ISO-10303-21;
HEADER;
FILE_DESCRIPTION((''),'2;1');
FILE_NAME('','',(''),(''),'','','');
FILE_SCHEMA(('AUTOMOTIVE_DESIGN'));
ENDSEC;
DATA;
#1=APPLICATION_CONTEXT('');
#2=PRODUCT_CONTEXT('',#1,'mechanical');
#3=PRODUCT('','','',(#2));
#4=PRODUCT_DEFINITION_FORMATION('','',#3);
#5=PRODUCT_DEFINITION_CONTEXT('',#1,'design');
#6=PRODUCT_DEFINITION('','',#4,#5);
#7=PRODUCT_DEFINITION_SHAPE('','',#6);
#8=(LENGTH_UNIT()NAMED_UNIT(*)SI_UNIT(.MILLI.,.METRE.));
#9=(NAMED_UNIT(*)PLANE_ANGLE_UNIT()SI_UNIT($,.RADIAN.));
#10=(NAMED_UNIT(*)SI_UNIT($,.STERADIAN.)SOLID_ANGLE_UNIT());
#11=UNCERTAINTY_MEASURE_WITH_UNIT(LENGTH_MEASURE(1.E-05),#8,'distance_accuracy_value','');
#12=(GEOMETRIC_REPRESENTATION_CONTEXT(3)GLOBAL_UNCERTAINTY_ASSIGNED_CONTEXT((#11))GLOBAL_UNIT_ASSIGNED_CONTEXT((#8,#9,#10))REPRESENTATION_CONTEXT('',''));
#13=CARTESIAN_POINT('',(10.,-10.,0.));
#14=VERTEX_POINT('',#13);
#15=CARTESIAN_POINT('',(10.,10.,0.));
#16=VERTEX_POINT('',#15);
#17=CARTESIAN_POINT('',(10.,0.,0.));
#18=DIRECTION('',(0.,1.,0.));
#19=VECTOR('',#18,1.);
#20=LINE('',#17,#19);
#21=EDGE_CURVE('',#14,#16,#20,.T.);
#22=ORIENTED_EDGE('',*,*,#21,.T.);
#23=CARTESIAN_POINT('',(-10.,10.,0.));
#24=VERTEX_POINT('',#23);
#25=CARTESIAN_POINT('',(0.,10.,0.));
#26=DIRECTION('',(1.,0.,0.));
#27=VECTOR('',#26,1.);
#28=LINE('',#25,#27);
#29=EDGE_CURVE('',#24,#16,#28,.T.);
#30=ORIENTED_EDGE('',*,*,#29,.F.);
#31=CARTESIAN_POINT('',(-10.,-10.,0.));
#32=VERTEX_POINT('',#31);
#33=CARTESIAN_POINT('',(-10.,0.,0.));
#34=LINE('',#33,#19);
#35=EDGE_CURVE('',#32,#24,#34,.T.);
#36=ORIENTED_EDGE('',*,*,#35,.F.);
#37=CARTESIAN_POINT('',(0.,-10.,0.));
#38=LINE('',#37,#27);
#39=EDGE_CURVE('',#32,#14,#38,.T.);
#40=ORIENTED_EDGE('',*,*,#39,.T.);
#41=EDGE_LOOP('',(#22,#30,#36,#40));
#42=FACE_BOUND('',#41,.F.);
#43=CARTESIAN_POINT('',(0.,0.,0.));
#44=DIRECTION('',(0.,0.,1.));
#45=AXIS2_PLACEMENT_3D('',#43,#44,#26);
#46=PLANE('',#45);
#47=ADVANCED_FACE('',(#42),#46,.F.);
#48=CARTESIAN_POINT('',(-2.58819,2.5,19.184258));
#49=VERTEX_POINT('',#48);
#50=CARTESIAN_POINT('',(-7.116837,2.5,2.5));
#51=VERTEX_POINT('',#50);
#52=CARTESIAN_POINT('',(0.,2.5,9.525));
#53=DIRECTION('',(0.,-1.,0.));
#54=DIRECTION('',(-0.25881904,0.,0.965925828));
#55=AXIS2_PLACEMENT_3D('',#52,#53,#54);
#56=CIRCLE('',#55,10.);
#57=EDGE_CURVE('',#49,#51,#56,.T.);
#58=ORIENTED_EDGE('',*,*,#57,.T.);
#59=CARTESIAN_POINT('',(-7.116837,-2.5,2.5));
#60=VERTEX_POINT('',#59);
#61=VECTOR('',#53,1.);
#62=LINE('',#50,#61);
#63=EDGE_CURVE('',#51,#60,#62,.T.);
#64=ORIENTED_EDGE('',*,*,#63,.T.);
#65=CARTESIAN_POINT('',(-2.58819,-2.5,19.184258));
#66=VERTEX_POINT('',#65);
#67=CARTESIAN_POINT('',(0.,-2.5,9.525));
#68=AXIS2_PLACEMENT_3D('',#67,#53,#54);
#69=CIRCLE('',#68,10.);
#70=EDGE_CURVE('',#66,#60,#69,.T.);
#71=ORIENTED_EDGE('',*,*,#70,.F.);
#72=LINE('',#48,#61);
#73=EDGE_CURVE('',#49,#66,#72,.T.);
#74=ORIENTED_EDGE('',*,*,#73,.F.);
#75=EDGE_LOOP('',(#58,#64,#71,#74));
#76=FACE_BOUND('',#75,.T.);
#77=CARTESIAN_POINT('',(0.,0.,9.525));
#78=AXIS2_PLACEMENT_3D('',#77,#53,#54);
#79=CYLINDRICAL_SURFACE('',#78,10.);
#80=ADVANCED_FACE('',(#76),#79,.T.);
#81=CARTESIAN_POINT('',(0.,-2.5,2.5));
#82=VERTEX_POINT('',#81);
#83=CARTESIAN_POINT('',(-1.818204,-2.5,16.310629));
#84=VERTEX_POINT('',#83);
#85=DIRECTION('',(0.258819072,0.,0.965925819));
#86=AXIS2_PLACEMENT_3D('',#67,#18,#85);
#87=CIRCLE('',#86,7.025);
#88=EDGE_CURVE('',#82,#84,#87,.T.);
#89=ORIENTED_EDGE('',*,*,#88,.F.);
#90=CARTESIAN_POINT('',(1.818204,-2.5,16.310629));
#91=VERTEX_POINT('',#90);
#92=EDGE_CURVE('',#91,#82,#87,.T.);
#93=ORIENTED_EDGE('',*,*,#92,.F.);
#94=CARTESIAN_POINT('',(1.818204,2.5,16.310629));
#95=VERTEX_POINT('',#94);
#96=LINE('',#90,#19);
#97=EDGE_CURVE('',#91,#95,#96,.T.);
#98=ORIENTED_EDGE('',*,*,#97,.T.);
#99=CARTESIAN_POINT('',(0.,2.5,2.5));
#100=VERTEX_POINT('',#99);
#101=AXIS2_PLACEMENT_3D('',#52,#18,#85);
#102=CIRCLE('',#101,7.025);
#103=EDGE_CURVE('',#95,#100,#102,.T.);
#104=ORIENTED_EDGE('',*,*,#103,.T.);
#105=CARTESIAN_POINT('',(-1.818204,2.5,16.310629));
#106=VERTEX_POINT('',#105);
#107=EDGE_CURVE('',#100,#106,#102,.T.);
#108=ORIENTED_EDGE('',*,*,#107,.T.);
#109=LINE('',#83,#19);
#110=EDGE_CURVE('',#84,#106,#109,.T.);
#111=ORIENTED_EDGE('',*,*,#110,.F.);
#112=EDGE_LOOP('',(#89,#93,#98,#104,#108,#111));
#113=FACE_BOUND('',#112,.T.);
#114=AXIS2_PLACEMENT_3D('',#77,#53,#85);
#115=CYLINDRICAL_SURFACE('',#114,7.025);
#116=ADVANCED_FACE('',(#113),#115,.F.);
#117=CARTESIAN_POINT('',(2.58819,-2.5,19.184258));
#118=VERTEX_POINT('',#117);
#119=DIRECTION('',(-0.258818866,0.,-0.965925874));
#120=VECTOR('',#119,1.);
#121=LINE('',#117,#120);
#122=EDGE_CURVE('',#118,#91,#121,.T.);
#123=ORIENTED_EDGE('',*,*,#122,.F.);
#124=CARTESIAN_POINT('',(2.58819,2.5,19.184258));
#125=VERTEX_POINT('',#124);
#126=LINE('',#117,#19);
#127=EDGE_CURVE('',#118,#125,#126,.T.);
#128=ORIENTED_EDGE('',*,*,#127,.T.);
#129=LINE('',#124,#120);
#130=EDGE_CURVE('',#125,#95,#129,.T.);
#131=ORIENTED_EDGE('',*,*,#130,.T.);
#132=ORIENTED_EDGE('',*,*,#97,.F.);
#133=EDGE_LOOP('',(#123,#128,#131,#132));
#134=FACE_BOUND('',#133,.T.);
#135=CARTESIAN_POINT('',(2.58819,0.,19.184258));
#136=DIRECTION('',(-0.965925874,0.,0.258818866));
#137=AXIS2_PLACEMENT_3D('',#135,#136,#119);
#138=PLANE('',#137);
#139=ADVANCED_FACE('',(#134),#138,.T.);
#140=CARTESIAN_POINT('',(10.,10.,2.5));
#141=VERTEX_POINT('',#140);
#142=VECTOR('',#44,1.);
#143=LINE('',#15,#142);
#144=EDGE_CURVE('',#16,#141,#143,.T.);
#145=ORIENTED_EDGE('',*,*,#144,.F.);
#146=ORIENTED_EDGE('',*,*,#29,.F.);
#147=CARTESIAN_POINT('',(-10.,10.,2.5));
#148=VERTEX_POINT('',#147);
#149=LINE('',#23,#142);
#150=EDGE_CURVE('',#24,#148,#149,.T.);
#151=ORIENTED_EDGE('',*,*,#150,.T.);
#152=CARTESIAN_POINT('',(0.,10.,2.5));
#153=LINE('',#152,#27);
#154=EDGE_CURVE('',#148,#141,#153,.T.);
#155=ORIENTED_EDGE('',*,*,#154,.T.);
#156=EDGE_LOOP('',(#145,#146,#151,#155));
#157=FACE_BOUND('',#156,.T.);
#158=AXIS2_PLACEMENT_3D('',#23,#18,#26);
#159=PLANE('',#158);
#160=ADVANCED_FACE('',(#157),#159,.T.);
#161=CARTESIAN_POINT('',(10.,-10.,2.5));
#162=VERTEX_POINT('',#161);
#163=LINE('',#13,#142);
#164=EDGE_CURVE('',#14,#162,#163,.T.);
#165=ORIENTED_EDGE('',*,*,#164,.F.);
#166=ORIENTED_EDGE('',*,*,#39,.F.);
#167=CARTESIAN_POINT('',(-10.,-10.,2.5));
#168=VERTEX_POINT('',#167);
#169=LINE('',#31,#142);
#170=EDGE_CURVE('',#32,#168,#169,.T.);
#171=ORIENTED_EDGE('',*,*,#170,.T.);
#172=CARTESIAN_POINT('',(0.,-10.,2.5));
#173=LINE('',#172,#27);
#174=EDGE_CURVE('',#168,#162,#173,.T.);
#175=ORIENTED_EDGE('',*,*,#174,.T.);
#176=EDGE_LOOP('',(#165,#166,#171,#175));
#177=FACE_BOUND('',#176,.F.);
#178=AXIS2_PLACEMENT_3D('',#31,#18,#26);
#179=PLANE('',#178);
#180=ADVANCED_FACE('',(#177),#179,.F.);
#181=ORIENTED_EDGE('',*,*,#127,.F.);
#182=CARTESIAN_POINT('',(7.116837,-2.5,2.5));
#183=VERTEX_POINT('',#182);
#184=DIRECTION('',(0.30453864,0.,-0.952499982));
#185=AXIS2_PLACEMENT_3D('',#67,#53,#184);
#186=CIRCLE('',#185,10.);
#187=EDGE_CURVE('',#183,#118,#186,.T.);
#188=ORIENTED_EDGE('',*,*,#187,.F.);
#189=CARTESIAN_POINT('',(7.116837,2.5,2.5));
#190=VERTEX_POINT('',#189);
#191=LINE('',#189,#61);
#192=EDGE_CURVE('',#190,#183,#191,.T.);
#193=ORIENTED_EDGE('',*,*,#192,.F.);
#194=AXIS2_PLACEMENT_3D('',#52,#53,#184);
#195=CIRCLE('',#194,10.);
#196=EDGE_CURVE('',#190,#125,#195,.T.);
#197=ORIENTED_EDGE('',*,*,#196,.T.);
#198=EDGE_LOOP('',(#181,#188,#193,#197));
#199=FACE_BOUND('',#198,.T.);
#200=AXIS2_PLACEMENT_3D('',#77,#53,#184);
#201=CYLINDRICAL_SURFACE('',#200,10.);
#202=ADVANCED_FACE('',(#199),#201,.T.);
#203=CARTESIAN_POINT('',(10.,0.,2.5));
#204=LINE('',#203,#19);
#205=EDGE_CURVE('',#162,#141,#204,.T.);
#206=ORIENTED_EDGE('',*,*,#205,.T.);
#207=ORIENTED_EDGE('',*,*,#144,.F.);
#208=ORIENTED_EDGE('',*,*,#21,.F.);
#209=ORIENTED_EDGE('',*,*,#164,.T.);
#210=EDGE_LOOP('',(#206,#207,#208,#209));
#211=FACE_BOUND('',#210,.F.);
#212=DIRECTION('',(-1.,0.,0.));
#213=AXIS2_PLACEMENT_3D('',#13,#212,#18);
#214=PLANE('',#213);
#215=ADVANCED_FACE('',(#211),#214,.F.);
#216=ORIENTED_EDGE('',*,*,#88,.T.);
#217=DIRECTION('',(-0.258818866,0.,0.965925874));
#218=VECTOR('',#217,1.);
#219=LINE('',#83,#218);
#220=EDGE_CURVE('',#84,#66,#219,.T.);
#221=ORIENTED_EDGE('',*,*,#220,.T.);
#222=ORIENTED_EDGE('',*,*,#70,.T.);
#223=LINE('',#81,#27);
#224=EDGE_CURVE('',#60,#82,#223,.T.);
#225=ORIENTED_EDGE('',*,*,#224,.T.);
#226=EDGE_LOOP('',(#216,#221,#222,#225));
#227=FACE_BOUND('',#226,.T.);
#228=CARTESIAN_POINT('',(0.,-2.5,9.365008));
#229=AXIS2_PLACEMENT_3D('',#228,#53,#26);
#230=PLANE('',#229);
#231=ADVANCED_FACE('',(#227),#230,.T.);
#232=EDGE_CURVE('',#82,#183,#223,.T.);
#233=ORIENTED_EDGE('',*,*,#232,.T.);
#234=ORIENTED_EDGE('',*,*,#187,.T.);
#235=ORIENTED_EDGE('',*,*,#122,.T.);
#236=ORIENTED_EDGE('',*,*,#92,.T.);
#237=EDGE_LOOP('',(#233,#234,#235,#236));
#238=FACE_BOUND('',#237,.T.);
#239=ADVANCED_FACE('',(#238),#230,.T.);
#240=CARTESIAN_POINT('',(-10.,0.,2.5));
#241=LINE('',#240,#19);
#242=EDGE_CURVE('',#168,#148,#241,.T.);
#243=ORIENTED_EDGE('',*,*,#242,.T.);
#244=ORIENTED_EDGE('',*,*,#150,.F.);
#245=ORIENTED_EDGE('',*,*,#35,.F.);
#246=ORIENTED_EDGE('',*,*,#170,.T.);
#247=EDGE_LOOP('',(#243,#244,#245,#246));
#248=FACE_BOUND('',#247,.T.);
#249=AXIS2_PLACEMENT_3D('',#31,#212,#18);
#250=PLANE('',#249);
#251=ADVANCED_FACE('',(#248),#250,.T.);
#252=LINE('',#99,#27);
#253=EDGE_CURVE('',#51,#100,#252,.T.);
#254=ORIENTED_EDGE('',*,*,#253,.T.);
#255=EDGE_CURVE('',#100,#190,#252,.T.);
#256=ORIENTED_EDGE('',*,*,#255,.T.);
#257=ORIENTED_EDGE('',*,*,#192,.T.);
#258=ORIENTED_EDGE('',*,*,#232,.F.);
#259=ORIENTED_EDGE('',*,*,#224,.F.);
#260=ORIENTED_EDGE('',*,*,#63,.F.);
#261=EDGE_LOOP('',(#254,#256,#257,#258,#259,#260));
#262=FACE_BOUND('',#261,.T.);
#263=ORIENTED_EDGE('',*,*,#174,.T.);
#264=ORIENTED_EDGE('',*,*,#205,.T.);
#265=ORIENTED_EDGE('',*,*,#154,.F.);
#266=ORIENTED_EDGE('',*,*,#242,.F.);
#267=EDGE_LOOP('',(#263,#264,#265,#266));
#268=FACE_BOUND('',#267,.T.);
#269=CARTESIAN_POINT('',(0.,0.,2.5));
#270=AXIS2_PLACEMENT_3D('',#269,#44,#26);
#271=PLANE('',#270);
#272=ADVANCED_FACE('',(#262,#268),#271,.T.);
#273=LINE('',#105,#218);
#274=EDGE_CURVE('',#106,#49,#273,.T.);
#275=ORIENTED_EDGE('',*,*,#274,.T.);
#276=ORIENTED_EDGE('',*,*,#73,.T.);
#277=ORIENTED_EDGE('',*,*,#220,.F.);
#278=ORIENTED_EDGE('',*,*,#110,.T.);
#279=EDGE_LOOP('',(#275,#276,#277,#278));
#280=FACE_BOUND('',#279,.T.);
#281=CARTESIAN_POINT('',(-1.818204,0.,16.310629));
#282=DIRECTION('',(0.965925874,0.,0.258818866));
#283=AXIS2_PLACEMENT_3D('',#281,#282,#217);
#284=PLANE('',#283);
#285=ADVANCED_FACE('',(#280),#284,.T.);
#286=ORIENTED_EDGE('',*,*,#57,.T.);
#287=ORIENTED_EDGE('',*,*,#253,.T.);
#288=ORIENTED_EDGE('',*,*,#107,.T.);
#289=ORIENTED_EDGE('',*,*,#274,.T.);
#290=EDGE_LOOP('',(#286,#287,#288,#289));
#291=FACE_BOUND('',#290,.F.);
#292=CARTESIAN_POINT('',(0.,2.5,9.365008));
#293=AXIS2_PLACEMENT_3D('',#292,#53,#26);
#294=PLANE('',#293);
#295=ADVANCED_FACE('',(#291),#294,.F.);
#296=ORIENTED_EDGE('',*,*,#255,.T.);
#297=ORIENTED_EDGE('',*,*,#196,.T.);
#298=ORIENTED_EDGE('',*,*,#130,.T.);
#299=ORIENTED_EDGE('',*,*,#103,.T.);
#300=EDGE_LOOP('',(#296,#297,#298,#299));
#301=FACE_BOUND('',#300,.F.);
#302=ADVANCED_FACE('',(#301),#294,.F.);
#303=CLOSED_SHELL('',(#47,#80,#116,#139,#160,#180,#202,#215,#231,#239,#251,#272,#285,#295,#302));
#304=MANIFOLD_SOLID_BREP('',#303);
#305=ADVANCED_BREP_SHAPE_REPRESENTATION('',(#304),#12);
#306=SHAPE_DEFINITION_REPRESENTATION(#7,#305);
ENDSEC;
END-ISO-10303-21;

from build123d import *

# Parameters (mm, degrees)
F0_W     = 20
F0_H     = 20
F1_DEPTH = 2.5
F3_DEPTH = 1.5
F4_DEPTH = 2.5
F5_DEPTH = 2


with BuildPart() as f1:
    # F0 (on Top) → F1 (new body)
    with BuildSketch(Plane.XY):
        Rectangle(F0_W, F0_H)
    extrude(amount=F1_DEPTH)

    # F2 (on Front) → F3 (join, symmetric)
    with BuildSketch(Plane.XZ):
        with BuildLine():
            Line((-1.818204, 16.310629), (-2.58819, 19.184258))
            ThreePointArc((-2.58819, 19.184258), (-9.997161, 9.76325), (-3.045386, 0))
            Line((-3.045386, 0), (3.045386, 0))
            ThreePointArc((3.045386, 0), (9.997161, 9.76325), (2.58819, 19.184258))
            Line((2.58819, 19.184258), (1.818204, 16.310629))
            ThreePointArc((1.818204, 16.310629), (0, 2.5), (-1.818204, 16.310629))
        make_face()
    extrude(amount=F3_DEPTH, both=True)

    # F2 (on Front) → F4 (join, symmetric)
    with BuildSketch(Plane.XZ):
        with BuildLine():
            Line((-1.818204, 16.310629), (-2.58819, 19.184258))
            ThreePointArc((-2.58819, 19.184258), (-9.997161, 9.76325), (-3.045386, 0))
            Line((-3.045386, 0), (3.045386, 0))
            ThreePointArc((3.045386, 0), (9.997161, 9.76325), (2.58819, 19.184258))
            Line((2.58819, 19.184258), (1.818204, 16.310629))
            ThreePointArc((1.818204, 16.310629), (0, 2.5), (-1.818204, 16.310629))
        make_face()
    extrude(amount=F4_DEPTH, both=True)

    # F2 (on Front) → F5 (join, symmetric)
    with BuildSketch(Plane.XZ):
        with BuildLine():
            Line((-1.818204, 16.310629), (-2.58819, 19.184258))
            ThreePointArc((-2.58819, 19.184258), (-9.997161, 9.76325), (-3.045386, 0))
            Line((-3.045386, 0), (3.045386, 0))
            ThreePointArc((3.045386, 0), (9.997161, 9.76325), (2.58819, 19.184258))
            Line((2.58819, 19.184258), (1.818204, 16.310629))
            ThreePointArc((1.818204, 16.310629), (0, 2.5), (-1.818204, 16.310629))
        make_face()
    extrude(amount=F5_DEPTH, both=True)


solid = f1.part
